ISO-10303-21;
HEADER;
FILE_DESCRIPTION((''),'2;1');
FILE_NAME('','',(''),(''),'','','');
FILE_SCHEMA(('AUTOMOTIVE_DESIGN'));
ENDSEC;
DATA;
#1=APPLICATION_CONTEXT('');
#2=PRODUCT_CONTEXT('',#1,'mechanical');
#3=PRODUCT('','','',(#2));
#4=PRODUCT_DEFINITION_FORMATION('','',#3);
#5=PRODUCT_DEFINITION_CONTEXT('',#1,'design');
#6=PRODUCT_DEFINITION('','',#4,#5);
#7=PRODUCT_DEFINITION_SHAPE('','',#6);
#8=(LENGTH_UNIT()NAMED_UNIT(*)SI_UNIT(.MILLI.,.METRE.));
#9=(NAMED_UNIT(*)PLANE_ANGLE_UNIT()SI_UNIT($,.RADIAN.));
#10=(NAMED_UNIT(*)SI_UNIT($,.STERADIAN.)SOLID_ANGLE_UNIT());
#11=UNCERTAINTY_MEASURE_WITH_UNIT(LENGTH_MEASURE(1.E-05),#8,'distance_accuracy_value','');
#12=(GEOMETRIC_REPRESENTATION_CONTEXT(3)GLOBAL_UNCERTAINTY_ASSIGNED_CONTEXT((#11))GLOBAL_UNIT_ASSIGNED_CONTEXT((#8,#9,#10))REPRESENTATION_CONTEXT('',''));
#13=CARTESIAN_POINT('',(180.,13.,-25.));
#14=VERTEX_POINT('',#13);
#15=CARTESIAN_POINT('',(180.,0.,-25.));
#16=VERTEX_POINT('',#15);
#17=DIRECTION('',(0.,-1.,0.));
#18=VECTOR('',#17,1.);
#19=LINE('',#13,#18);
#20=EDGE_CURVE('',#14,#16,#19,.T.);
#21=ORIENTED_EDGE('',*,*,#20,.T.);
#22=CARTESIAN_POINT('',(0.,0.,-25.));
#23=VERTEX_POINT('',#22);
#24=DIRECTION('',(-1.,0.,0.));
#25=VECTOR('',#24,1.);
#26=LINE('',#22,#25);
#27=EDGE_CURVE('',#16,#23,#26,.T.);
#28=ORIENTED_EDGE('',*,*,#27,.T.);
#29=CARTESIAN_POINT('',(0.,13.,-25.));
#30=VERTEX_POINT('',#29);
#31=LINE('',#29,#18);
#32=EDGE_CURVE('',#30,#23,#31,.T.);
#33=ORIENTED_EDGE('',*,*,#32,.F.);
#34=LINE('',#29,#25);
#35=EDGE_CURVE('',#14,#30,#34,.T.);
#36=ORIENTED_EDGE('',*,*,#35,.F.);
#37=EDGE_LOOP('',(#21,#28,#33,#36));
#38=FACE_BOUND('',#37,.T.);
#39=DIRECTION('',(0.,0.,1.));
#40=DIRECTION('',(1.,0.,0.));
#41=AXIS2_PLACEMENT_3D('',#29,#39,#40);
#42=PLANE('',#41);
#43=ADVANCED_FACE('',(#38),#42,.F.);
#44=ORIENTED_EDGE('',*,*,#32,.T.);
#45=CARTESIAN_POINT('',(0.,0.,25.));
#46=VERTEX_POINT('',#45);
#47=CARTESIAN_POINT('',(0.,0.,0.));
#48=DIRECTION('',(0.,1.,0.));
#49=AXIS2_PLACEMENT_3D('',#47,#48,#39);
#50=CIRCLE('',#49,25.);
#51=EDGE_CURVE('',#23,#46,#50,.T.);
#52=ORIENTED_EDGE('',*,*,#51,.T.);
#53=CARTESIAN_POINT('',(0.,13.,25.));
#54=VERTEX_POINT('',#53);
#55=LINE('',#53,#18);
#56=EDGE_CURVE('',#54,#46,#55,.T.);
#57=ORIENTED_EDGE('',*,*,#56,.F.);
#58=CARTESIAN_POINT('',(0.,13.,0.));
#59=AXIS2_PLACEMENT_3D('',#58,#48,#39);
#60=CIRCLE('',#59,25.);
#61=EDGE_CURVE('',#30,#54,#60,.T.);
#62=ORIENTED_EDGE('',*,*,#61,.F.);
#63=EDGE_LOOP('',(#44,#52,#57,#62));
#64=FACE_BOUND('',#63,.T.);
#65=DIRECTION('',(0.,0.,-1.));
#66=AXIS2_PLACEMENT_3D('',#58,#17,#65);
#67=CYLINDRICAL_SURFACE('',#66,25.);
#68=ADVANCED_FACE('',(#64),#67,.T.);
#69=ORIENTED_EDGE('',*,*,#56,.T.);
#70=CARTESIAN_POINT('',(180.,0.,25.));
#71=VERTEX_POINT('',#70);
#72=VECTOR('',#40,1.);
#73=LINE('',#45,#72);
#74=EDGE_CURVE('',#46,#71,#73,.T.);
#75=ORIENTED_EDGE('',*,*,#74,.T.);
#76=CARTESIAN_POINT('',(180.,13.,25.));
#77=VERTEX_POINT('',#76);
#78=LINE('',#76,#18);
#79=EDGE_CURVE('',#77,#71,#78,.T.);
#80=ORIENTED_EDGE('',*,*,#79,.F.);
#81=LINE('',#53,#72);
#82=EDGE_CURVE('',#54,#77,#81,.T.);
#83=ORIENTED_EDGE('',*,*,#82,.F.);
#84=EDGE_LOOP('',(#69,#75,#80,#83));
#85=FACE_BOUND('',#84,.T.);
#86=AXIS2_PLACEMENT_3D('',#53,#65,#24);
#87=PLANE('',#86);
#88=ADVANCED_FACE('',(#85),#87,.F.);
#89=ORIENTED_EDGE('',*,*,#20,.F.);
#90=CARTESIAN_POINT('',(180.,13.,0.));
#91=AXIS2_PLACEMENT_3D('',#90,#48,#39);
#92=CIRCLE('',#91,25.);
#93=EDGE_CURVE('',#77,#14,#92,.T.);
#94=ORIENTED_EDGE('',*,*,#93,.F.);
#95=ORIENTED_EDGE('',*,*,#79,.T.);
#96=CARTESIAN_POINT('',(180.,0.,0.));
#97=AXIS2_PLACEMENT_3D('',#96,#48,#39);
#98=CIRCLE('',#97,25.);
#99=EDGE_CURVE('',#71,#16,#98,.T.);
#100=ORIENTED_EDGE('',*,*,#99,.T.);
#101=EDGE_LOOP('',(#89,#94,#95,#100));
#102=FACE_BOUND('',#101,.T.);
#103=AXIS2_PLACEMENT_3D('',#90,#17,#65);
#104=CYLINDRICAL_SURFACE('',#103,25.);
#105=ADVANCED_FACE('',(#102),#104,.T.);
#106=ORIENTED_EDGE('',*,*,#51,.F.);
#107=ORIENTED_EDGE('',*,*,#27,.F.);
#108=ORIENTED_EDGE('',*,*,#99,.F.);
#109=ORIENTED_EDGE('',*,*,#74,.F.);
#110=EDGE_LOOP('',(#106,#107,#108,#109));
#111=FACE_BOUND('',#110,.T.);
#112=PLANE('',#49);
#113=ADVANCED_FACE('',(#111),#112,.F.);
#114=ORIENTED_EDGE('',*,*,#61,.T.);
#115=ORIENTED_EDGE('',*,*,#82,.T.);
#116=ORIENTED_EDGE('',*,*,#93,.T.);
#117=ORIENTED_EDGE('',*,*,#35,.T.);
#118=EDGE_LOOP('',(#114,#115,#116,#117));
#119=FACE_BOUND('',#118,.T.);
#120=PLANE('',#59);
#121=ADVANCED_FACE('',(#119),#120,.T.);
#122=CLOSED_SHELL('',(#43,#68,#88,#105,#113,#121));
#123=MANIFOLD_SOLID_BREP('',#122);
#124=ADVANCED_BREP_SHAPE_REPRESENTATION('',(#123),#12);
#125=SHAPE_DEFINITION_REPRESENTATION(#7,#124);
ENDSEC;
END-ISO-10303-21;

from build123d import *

# Parameters (mm, degrees)
BOSS_EXTRUDE1_DEPTH = 13


with BuildPart() as part:
    # Sketch1 → Boss-Extrude1 (new body)
    with BuildSketch(Plane(origin=(0, 0, 0), x_dir=(1, 0, 0), z_dir=(0, 1, 0))):
        with BuildLine():
            Line((0, 25), (180, 25))
            ThreePointArc((180, 25), (205, 0), (180, -25))
            Line((180, -25), (0, -25))
            ThreePointArc((0, -25), (-25, 0), (0, 25))
        make_face()
    extrude(amount=BOSS_EXTRUDE1_DEPTH)


solid = part.part
